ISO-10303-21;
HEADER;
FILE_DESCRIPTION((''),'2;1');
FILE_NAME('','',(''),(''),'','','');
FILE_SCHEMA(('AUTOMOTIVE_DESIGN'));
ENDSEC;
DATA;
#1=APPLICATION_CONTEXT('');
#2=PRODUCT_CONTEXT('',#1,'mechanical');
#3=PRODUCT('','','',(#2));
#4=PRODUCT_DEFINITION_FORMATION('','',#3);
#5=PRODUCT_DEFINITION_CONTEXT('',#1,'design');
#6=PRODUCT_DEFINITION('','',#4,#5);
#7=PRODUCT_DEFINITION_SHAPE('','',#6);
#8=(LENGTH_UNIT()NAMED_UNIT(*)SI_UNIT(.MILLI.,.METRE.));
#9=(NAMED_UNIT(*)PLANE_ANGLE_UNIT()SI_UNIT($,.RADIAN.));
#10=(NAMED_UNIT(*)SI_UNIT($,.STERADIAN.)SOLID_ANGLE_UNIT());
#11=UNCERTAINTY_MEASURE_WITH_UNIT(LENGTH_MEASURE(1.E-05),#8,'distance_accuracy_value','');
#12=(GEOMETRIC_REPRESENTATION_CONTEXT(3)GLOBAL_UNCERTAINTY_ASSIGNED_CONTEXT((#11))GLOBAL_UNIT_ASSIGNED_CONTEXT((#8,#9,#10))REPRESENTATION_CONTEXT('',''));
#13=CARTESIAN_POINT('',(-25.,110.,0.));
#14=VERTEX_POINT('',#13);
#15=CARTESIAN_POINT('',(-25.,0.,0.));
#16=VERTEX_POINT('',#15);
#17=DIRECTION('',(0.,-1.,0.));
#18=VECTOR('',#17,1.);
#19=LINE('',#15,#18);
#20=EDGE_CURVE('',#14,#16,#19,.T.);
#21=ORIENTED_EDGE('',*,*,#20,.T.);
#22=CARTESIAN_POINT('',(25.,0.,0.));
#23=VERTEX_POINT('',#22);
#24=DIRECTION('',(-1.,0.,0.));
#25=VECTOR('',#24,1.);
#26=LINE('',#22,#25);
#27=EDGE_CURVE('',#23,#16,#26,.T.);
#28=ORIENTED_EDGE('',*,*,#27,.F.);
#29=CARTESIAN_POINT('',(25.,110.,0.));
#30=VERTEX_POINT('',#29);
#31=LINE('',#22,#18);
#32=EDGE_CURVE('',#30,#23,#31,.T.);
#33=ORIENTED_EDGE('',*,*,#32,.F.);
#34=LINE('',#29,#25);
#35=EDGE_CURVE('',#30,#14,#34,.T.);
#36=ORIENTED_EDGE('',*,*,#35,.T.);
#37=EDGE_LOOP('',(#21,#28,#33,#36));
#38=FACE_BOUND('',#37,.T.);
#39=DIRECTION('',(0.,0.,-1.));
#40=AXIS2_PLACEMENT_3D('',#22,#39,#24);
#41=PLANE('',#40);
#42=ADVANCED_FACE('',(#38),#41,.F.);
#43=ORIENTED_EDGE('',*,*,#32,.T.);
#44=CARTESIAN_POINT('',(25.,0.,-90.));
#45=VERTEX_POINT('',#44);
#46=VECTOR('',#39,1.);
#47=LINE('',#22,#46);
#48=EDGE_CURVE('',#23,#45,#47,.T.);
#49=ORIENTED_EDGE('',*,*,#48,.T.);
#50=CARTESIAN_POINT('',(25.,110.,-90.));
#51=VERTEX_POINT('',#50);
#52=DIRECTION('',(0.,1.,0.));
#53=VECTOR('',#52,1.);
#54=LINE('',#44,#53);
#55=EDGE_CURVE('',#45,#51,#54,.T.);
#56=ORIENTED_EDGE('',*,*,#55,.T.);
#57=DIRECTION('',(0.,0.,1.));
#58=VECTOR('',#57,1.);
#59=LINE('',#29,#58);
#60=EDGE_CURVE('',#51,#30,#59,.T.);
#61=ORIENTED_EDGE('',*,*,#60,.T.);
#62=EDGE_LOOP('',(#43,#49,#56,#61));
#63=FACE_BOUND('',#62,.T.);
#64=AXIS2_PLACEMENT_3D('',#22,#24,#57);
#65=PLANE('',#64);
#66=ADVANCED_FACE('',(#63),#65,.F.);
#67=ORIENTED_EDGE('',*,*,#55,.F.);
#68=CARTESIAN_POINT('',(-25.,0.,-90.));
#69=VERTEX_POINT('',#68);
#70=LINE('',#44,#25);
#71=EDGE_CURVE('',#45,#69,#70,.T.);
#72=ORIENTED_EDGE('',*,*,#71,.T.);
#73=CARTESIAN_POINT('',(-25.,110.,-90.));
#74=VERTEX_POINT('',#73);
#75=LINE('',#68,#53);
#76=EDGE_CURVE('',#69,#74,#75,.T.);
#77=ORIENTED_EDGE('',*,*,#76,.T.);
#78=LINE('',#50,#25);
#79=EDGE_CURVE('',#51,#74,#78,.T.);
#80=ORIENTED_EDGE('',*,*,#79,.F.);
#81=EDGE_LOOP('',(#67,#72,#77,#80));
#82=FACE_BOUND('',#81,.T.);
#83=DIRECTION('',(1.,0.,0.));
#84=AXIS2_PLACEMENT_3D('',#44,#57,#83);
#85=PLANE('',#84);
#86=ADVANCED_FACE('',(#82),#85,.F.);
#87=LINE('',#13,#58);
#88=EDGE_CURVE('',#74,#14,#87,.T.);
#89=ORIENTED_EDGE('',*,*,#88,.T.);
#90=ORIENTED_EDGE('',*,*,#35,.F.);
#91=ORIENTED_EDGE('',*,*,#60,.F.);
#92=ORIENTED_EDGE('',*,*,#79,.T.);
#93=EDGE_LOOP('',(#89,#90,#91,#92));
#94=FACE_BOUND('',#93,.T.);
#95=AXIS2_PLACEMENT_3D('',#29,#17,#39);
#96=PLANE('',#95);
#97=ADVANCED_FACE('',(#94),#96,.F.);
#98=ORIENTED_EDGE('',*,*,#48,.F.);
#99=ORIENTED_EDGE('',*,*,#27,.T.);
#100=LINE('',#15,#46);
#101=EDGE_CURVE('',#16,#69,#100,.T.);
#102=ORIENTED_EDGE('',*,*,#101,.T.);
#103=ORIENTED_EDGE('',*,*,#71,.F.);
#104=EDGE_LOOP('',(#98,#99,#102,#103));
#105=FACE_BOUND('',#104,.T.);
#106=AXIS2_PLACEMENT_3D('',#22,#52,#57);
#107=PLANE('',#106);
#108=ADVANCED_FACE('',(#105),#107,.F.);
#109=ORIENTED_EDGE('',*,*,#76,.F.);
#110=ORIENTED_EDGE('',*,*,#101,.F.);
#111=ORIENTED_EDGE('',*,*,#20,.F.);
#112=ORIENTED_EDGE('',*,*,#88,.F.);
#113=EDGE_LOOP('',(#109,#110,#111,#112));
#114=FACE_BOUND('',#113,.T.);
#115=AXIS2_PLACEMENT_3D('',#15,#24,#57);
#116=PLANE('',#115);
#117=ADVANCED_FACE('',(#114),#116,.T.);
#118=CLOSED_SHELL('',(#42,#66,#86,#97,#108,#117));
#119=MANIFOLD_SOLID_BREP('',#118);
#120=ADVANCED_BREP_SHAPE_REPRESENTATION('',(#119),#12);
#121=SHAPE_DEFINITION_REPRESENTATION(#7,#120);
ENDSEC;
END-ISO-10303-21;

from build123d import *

# Parameters (mm, degrees)
SKETCH1_W           = 90
SKETCH1_H           = 110
BOSS_EXTRUDE1_DEPTH = 25


with BuildPart() as part:
    # Sketch1 → Boss-Extrude1 (new, symmetric)
    with BuildSketch(Plane(origin=(0, 0, 0), x_dir=(0, 0, -1), z_dir=(1, 0, 0))):
        with Locations((45, 55)):
            Rectangle(SKETCH1_W, SKETCH1_H)
    extrude(amount=BOSS_EXTRUDE1_DEPTH, both=True)


solid = part.part
